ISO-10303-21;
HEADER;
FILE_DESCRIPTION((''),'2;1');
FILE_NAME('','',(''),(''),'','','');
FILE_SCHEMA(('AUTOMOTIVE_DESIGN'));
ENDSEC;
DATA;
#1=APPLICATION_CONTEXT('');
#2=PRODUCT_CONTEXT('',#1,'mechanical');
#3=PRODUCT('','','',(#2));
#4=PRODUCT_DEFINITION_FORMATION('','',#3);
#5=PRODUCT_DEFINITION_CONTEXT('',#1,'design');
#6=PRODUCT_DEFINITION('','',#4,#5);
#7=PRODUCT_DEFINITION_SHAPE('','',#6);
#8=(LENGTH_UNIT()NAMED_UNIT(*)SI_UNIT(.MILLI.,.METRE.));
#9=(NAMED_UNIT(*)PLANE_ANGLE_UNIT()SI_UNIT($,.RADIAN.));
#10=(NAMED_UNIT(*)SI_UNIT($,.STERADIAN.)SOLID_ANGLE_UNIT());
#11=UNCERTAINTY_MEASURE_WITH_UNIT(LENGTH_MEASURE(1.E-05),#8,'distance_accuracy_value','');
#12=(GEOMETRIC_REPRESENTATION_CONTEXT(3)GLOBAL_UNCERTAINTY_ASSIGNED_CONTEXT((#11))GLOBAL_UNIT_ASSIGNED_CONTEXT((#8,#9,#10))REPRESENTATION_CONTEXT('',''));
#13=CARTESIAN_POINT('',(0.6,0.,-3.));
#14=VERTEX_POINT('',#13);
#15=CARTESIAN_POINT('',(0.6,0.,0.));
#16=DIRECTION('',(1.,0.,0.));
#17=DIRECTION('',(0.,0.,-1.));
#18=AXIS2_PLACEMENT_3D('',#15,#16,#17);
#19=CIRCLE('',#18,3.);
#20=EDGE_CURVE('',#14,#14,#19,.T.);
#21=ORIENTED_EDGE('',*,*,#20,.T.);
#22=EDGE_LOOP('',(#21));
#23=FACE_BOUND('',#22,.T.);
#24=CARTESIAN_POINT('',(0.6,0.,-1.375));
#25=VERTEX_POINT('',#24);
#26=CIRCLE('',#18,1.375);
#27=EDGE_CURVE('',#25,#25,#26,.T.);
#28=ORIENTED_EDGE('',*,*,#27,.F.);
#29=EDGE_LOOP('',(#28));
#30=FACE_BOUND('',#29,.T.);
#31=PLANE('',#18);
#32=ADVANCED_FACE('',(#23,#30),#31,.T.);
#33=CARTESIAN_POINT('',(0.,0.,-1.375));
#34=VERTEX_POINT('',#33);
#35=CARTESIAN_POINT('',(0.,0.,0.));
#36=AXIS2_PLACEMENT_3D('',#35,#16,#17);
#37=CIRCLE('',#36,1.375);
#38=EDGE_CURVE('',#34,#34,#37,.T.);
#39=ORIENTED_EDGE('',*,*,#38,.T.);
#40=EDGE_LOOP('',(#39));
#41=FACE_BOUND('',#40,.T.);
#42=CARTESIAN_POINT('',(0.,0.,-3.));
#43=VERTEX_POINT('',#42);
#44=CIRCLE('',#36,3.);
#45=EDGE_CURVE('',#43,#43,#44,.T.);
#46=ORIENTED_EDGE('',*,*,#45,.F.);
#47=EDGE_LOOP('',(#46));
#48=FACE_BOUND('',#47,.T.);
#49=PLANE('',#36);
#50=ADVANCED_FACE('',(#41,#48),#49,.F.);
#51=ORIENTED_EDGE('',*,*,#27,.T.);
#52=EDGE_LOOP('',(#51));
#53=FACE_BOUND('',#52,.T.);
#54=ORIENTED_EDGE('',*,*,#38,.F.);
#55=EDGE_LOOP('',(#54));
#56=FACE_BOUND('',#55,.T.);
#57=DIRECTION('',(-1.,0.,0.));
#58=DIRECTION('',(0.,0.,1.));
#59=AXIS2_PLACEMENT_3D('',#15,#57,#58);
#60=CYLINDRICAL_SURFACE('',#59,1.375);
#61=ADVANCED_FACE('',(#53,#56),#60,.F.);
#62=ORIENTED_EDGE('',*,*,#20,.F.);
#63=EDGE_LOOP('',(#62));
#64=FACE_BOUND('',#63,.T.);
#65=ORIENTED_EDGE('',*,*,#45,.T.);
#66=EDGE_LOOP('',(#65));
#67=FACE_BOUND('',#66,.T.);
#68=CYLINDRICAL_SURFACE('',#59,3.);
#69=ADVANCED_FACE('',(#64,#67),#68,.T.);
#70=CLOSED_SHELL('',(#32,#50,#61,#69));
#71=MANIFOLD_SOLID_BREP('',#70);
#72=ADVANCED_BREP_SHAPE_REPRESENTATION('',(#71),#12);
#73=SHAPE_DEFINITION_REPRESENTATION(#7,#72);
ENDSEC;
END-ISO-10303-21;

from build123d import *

# Parameters (mm, degrees)
SKETCH1_R          = 3
SKETCH1_R_2        = 1.375
BASE_EXTRUDE_DEPTH = 0.6


with BuildPart() as part:
    # Sketch1 → Base-Extrude (new body)
    with BuildSketch(Plane(origin=(0, 0, 0), x_dir=(0, 0, -1), z_dir=(1, 0, 0))):
        Circle(SKETCH1_R)
        Circle(SKETCH1_R_2, mode=Mode.SUBTRACT)
    extrude(amount=BASE_EXTRUDE_DEPTH)


solid = part.part
